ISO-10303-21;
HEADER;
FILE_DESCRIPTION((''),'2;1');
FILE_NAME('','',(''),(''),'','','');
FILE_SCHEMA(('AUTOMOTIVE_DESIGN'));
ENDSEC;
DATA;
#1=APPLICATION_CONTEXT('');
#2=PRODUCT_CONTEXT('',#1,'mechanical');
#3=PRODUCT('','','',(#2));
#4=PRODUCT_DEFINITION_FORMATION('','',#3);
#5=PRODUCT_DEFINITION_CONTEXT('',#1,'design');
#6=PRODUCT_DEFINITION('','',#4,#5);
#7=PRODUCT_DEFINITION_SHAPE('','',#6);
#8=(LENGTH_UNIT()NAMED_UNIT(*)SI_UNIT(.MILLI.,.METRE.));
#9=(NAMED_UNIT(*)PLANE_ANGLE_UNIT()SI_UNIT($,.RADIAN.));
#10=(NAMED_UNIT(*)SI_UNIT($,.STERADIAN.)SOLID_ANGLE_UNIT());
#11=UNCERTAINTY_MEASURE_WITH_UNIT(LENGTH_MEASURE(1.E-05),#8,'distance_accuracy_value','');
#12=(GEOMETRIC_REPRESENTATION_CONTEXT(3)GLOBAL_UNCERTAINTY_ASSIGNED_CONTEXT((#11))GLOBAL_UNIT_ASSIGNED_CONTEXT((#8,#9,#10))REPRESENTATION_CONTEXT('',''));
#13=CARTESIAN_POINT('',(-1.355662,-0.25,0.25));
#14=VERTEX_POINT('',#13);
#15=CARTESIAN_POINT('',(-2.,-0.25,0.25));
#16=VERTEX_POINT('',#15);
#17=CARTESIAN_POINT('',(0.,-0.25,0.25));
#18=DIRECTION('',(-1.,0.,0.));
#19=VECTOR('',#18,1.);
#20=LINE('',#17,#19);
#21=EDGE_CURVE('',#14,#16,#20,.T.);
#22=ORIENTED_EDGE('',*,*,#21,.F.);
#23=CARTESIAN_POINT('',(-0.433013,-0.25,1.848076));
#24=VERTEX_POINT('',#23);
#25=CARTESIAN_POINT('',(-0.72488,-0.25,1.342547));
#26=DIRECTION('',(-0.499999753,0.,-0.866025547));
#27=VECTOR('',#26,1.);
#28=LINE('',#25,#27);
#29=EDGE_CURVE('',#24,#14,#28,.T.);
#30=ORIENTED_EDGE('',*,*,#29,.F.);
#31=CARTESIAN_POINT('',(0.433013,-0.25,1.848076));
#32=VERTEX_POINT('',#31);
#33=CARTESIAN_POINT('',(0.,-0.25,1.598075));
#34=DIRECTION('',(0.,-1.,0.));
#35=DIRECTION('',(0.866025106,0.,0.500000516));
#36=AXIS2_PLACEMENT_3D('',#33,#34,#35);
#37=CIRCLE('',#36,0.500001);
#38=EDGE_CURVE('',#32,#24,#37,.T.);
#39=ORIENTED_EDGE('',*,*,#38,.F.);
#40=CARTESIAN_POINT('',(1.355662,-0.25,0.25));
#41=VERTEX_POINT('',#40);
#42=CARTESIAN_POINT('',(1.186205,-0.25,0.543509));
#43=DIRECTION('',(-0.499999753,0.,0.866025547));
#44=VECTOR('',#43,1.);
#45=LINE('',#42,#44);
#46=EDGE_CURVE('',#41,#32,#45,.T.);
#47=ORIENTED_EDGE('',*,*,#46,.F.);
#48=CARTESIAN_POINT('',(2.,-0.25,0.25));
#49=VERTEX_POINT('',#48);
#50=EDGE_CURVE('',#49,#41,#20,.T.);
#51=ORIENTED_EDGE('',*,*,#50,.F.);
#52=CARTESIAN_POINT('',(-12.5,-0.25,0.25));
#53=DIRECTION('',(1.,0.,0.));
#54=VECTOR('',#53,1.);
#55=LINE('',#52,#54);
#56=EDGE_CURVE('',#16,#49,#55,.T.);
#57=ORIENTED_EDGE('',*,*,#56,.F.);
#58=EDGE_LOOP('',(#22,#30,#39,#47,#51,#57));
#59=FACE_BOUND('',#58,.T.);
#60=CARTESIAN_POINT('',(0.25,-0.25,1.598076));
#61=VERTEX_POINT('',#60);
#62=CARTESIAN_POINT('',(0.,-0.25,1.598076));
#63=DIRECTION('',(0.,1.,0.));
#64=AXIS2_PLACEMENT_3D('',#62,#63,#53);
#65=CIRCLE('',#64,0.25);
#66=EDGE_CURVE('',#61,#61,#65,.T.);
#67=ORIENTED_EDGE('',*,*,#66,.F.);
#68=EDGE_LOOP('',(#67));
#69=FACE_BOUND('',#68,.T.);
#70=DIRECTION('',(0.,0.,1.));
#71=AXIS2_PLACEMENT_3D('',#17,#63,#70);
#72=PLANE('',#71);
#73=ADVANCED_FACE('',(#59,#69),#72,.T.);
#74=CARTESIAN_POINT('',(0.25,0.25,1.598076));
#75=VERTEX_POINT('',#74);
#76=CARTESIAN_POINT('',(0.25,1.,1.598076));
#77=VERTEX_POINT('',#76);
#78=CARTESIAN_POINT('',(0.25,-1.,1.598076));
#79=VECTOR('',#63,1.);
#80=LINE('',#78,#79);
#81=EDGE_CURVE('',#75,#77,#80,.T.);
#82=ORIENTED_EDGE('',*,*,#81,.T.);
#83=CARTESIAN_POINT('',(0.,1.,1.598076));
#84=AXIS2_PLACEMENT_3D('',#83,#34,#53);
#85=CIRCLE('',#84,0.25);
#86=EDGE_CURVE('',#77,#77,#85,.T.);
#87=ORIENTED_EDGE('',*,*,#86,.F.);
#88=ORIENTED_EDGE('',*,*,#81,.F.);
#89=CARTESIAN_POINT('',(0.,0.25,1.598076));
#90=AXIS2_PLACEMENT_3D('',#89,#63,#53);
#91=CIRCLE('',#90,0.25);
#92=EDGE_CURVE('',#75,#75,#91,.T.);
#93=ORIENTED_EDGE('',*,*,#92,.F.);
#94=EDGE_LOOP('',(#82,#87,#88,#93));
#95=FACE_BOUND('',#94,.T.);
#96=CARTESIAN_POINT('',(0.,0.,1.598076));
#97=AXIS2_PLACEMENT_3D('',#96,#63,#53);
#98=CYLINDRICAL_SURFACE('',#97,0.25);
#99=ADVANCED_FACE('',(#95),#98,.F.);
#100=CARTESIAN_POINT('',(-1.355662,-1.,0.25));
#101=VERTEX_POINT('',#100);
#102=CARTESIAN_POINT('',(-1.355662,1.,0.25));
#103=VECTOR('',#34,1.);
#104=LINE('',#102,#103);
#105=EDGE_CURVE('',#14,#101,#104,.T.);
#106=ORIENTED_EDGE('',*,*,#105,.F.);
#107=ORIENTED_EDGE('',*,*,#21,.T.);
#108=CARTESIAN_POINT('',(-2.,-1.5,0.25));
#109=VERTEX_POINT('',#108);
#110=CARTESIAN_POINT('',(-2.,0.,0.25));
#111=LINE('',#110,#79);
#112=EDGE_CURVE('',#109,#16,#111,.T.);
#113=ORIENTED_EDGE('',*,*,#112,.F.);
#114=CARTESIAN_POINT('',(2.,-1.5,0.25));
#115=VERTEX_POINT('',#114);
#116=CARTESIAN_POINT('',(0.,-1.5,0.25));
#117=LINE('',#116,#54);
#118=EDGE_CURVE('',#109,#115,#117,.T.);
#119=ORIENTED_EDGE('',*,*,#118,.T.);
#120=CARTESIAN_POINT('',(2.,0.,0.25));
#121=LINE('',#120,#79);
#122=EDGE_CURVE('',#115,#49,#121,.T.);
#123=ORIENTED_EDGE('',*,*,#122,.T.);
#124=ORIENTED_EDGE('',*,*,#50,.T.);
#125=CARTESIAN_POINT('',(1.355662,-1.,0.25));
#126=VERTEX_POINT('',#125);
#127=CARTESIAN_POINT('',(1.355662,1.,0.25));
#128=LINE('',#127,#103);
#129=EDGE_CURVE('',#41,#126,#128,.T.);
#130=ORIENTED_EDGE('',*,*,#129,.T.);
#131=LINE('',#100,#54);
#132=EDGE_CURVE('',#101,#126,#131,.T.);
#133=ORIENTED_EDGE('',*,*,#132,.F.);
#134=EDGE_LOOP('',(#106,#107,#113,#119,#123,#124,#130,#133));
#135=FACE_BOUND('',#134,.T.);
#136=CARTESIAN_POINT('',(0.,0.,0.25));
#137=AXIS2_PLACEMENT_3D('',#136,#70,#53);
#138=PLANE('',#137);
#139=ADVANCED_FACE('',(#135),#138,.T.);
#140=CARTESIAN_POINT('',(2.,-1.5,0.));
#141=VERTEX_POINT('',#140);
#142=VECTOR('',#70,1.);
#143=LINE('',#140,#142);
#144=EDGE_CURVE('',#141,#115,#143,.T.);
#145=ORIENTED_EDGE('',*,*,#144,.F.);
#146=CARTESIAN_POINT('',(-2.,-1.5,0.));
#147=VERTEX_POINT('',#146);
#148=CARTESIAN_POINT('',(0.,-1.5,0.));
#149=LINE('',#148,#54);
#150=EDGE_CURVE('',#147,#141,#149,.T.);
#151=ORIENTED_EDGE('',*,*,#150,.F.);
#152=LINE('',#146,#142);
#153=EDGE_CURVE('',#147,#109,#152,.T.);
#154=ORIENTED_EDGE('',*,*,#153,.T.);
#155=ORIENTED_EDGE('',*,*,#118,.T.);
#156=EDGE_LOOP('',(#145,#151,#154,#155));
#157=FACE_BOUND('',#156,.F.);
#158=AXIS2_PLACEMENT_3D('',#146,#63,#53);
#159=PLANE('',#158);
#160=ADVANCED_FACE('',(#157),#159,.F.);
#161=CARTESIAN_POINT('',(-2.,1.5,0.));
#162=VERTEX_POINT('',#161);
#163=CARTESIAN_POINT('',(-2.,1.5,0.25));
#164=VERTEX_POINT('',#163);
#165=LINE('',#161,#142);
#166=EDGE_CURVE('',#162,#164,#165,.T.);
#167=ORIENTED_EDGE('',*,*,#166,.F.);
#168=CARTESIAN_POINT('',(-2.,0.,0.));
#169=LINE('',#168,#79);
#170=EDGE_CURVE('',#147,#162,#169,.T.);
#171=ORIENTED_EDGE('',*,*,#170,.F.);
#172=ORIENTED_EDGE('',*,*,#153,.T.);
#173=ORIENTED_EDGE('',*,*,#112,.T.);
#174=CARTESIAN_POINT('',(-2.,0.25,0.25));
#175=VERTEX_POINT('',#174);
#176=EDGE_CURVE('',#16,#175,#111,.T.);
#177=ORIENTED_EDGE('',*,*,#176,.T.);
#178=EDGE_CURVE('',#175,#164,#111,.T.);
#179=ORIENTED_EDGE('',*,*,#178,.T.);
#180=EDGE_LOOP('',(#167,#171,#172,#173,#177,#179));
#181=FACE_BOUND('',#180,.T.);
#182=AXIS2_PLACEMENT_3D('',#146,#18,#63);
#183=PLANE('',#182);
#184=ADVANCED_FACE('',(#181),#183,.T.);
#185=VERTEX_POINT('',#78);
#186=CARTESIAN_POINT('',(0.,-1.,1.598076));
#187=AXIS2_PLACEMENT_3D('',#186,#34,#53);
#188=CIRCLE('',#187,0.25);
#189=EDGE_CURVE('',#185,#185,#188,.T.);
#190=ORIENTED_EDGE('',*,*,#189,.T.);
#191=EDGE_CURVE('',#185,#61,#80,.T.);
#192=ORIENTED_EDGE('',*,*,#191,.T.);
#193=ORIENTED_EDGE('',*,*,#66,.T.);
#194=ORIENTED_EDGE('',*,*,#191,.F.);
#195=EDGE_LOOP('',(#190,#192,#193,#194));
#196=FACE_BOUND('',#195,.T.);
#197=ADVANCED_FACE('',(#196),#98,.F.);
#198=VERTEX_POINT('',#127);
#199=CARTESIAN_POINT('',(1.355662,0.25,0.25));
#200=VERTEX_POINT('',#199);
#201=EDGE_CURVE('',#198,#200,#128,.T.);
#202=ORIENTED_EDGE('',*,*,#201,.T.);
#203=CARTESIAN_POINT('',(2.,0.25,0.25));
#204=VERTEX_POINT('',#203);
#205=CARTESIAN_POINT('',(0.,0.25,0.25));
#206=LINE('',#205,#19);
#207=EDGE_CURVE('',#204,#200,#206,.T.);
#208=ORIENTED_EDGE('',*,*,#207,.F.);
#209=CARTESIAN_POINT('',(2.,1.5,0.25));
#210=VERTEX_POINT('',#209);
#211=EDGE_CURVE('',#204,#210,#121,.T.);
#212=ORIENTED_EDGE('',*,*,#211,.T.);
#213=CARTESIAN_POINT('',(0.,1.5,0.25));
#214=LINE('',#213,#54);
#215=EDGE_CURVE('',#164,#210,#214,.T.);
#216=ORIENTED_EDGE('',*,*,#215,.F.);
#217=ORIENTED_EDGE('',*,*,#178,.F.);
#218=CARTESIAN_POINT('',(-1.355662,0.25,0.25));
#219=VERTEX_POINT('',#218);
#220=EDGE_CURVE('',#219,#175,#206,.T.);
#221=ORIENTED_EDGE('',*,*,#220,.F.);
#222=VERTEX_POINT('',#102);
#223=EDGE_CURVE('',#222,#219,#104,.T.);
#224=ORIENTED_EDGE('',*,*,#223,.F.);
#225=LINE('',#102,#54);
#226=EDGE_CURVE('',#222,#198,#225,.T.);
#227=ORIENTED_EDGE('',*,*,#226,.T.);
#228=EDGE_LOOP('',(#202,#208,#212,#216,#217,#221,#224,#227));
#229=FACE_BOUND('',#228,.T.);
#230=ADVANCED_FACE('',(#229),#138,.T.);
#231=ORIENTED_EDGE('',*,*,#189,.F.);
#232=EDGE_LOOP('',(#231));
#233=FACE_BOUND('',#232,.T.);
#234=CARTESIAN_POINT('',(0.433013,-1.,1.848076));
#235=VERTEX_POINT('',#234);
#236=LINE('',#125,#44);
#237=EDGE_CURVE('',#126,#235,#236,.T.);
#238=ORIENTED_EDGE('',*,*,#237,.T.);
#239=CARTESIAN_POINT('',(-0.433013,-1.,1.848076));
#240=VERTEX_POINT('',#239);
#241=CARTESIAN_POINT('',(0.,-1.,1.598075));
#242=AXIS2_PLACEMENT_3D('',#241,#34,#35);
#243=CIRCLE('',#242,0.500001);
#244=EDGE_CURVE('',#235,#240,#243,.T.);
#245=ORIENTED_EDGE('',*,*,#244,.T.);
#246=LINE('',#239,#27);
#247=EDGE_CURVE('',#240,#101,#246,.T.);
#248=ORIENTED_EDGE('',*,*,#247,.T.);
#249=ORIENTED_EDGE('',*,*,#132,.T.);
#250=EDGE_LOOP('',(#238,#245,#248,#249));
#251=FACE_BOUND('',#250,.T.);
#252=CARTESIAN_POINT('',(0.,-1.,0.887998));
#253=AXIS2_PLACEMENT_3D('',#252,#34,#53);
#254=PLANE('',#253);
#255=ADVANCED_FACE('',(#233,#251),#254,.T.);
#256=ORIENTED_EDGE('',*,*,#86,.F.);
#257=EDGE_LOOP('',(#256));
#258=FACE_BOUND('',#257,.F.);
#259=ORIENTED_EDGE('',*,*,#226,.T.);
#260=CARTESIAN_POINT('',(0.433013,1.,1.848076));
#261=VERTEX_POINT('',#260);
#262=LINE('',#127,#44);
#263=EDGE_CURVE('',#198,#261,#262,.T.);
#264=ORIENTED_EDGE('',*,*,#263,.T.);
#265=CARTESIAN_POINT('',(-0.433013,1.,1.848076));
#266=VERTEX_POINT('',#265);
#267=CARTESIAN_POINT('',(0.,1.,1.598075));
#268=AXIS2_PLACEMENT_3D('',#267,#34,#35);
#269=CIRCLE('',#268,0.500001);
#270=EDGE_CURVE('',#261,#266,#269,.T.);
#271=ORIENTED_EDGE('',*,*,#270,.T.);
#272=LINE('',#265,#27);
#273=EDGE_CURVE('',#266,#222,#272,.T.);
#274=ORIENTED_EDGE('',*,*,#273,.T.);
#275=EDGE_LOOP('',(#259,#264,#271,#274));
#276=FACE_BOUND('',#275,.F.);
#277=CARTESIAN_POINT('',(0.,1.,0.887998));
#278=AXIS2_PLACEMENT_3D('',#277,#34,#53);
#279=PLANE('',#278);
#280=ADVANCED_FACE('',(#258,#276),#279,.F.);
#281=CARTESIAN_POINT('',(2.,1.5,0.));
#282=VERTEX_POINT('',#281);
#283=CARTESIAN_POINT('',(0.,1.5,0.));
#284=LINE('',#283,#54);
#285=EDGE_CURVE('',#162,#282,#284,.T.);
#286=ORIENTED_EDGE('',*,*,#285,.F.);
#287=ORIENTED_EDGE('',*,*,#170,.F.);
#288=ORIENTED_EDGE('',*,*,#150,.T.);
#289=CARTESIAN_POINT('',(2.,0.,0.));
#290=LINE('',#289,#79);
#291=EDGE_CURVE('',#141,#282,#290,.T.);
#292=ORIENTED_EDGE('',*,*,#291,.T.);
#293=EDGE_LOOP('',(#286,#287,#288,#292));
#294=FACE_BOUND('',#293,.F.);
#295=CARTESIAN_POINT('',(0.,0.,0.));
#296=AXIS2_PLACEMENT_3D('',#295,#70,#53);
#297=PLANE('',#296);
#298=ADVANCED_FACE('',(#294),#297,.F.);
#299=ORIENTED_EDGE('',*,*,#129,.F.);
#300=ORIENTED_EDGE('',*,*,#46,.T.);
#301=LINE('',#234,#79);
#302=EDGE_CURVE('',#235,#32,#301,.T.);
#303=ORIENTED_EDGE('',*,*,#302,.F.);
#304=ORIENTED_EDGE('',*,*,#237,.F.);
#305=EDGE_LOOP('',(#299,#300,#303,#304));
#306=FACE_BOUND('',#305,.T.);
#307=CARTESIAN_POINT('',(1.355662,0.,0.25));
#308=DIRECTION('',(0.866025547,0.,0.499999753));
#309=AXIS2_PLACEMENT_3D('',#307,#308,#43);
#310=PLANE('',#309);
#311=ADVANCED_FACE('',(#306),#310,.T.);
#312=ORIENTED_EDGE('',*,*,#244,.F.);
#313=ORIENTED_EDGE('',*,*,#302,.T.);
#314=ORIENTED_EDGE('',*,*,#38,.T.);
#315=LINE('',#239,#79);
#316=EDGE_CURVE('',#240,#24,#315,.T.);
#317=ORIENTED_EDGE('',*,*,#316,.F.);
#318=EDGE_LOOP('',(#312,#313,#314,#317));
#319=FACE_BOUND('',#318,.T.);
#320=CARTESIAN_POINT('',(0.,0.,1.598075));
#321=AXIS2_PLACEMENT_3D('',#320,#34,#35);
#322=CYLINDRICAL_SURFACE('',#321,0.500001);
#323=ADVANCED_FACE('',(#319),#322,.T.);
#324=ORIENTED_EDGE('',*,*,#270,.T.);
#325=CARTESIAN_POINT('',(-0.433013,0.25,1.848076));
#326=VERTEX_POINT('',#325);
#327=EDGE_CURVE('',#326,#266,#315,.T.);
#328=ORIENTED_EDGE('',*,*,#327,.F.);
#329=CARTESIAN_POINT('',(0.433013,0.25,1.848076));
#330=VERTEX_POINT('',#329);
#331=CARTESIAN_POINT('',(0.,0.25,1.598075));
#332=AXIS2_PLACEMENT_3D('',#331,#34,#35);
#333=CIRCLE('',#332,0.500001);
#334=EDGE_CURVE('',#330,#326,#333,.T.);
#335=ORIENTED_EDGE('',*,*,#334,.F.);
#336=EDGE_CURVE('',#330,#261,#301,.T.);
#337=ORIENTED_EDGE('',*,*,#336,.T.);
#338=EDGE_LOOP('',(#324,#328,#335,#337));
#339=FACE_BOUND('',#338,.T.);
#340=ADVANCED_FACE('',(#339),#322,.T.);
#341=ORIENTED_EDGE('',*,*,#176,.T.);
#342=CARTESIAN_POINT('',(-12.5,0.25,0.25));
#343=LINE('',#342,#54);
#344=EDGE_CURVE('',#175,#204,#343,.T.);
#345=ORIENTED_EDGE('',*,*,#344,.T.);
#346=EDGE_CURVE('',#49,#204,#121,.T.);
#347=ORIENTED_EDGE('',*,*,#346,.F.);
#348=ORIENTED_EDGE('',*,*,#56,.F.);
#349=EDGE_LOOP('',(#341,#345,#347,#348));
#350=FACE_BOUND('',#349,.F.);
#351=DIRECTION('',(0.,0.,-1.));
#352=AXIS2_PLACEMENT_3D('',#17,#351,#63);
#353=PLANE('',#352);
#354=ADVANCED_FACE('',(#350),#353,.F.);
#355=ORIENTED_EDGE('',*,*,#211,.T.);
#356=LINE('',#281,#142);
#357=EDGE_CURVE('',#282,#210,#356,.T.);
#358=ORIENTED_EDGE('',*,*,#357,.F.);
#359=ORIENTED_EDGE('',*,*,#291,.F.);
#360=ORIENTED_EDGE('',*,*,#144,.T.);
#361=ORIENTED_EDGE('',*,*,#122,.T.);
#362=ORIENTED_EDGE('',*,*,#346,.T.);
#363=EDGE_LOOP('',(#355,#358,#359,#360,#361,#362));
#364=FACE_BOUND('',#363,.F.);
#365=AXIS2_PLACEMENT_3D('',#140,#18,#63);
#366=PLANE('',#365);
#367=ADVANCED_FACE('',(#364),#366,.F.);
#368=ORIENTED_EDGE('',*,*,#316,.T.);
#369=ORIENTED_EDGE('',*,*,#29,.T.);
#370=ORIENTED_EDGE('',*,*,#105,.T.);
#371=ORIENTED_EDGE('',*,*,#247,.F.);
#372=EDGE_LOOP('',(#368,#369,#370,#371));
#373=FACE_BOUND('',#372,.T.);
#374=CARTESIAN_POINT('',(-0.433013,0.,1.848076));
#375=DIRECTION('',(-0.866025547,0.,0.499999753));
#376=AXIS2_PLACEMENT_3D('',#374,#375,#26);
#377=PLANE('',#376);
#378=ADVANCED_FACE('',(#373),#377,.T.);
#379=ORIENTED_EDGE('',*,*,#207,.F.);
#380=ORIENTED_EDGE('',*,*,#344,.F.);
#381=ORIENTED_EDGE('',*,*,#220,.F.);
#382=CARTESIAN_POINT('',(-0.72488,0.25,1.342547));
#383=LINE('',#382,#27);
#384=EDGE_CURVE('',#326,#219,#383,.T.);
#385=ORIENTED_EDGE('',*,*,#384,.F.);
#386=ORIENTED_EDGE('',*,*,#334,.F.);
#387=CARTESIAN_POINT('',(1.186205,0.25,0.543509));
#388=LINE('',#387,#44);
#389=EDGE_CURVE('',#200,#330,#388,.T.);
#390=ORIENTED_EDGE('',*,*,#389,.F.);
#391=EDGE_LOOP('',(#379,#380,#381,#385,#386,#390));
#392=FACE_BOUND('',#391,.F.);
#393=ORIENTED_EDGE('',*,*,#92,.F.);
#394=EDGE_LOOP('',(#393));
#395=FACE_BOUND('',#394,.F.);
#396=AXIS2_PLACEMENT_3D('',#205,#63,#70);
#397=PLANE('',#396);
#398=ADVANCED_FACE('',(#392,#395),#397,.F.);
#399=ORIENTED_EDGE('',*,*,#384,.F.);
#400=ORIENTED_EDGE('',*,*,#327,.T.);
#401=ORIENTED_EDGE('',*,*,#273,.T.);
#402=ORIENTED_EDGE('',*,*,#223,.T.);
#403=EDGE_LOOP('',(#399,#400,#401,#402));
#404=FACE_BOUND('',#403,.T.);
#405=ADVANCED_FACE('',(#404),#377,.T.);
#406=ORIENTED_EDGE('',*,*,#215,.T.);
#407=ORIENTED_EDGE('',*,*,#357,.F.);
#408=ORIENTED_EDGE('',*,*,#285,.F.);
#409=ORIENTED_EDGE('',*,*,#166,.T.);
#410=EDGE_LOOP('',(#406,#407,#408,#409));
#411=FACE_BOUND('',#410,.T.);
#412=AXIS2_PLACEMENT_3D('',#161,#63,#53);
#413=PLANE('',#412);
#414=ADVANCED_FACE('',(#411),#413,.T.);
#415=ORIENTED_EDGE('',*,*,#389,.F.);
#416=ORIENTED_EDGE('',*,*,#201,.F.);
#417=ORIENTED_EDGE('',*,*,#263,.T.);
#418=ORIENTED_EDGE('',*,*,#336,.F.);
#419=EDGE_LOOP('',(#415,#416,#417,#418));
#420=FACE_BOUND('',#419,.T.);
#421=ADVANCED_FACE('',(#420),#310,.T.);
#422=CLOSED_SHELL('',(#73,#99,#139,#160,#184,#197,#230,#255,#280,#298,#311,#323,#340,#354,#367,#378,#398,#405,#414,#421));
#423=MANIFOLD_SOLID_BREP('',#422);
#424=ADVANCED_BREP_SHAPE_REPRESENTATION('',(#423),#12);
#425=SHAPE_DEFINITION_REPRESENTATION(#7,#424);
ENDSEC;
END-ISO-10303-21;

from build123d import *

# Parameters (mm, degrees)
F0_W     = 4
F0_H     = 3
F1_DEPTH = 0.25
F2_R     = 0.25
F3_DEPTH = 1
F4_W     = 0.5
F4_H     = 4.147441
F5_DEPTH = 12.5


with BuildPart() as f1:
    # F0 (on Top) → F1 (new body)
    with BuildSketch(Plane.XY):
        Rectangle(F0_W, F0_H)
    extrude(amount=F1_DEPTH)

    # F2 (on Front) → F3 (join, symmetric)
    with BuildSketch(Plane.XZ):
        with BuildLine():
            Line((-0.433013, 1.848076), (-1.355662, 0.25))
            Line((-1.355662, 0.25), (1.355662, 0.25))
            Line((1.355662, 0.25), (0.433013, 1.848076))
            ThreePointArc((0.433013, 1.848076), (0, 2.098076), (-0.433013, 1.848076))
        make_face()
        with Locations((0, 1.598076)):
            Circle(F2_R, mode=Mode.SUBTRACT)
    extrude(amount=F3_DEPTH, both=True)

    # F4 (on Right) → F5 (cut, symmetric)
    with BuildSketch(Plane.YZ):
        with Locations((0, 2.32372)):
            Rectangle(F4_W, F4_H)
    extrude(amount=F5_DEPTH, both=True, mode=Mode.SUBTRACT)


solid = f1.part
